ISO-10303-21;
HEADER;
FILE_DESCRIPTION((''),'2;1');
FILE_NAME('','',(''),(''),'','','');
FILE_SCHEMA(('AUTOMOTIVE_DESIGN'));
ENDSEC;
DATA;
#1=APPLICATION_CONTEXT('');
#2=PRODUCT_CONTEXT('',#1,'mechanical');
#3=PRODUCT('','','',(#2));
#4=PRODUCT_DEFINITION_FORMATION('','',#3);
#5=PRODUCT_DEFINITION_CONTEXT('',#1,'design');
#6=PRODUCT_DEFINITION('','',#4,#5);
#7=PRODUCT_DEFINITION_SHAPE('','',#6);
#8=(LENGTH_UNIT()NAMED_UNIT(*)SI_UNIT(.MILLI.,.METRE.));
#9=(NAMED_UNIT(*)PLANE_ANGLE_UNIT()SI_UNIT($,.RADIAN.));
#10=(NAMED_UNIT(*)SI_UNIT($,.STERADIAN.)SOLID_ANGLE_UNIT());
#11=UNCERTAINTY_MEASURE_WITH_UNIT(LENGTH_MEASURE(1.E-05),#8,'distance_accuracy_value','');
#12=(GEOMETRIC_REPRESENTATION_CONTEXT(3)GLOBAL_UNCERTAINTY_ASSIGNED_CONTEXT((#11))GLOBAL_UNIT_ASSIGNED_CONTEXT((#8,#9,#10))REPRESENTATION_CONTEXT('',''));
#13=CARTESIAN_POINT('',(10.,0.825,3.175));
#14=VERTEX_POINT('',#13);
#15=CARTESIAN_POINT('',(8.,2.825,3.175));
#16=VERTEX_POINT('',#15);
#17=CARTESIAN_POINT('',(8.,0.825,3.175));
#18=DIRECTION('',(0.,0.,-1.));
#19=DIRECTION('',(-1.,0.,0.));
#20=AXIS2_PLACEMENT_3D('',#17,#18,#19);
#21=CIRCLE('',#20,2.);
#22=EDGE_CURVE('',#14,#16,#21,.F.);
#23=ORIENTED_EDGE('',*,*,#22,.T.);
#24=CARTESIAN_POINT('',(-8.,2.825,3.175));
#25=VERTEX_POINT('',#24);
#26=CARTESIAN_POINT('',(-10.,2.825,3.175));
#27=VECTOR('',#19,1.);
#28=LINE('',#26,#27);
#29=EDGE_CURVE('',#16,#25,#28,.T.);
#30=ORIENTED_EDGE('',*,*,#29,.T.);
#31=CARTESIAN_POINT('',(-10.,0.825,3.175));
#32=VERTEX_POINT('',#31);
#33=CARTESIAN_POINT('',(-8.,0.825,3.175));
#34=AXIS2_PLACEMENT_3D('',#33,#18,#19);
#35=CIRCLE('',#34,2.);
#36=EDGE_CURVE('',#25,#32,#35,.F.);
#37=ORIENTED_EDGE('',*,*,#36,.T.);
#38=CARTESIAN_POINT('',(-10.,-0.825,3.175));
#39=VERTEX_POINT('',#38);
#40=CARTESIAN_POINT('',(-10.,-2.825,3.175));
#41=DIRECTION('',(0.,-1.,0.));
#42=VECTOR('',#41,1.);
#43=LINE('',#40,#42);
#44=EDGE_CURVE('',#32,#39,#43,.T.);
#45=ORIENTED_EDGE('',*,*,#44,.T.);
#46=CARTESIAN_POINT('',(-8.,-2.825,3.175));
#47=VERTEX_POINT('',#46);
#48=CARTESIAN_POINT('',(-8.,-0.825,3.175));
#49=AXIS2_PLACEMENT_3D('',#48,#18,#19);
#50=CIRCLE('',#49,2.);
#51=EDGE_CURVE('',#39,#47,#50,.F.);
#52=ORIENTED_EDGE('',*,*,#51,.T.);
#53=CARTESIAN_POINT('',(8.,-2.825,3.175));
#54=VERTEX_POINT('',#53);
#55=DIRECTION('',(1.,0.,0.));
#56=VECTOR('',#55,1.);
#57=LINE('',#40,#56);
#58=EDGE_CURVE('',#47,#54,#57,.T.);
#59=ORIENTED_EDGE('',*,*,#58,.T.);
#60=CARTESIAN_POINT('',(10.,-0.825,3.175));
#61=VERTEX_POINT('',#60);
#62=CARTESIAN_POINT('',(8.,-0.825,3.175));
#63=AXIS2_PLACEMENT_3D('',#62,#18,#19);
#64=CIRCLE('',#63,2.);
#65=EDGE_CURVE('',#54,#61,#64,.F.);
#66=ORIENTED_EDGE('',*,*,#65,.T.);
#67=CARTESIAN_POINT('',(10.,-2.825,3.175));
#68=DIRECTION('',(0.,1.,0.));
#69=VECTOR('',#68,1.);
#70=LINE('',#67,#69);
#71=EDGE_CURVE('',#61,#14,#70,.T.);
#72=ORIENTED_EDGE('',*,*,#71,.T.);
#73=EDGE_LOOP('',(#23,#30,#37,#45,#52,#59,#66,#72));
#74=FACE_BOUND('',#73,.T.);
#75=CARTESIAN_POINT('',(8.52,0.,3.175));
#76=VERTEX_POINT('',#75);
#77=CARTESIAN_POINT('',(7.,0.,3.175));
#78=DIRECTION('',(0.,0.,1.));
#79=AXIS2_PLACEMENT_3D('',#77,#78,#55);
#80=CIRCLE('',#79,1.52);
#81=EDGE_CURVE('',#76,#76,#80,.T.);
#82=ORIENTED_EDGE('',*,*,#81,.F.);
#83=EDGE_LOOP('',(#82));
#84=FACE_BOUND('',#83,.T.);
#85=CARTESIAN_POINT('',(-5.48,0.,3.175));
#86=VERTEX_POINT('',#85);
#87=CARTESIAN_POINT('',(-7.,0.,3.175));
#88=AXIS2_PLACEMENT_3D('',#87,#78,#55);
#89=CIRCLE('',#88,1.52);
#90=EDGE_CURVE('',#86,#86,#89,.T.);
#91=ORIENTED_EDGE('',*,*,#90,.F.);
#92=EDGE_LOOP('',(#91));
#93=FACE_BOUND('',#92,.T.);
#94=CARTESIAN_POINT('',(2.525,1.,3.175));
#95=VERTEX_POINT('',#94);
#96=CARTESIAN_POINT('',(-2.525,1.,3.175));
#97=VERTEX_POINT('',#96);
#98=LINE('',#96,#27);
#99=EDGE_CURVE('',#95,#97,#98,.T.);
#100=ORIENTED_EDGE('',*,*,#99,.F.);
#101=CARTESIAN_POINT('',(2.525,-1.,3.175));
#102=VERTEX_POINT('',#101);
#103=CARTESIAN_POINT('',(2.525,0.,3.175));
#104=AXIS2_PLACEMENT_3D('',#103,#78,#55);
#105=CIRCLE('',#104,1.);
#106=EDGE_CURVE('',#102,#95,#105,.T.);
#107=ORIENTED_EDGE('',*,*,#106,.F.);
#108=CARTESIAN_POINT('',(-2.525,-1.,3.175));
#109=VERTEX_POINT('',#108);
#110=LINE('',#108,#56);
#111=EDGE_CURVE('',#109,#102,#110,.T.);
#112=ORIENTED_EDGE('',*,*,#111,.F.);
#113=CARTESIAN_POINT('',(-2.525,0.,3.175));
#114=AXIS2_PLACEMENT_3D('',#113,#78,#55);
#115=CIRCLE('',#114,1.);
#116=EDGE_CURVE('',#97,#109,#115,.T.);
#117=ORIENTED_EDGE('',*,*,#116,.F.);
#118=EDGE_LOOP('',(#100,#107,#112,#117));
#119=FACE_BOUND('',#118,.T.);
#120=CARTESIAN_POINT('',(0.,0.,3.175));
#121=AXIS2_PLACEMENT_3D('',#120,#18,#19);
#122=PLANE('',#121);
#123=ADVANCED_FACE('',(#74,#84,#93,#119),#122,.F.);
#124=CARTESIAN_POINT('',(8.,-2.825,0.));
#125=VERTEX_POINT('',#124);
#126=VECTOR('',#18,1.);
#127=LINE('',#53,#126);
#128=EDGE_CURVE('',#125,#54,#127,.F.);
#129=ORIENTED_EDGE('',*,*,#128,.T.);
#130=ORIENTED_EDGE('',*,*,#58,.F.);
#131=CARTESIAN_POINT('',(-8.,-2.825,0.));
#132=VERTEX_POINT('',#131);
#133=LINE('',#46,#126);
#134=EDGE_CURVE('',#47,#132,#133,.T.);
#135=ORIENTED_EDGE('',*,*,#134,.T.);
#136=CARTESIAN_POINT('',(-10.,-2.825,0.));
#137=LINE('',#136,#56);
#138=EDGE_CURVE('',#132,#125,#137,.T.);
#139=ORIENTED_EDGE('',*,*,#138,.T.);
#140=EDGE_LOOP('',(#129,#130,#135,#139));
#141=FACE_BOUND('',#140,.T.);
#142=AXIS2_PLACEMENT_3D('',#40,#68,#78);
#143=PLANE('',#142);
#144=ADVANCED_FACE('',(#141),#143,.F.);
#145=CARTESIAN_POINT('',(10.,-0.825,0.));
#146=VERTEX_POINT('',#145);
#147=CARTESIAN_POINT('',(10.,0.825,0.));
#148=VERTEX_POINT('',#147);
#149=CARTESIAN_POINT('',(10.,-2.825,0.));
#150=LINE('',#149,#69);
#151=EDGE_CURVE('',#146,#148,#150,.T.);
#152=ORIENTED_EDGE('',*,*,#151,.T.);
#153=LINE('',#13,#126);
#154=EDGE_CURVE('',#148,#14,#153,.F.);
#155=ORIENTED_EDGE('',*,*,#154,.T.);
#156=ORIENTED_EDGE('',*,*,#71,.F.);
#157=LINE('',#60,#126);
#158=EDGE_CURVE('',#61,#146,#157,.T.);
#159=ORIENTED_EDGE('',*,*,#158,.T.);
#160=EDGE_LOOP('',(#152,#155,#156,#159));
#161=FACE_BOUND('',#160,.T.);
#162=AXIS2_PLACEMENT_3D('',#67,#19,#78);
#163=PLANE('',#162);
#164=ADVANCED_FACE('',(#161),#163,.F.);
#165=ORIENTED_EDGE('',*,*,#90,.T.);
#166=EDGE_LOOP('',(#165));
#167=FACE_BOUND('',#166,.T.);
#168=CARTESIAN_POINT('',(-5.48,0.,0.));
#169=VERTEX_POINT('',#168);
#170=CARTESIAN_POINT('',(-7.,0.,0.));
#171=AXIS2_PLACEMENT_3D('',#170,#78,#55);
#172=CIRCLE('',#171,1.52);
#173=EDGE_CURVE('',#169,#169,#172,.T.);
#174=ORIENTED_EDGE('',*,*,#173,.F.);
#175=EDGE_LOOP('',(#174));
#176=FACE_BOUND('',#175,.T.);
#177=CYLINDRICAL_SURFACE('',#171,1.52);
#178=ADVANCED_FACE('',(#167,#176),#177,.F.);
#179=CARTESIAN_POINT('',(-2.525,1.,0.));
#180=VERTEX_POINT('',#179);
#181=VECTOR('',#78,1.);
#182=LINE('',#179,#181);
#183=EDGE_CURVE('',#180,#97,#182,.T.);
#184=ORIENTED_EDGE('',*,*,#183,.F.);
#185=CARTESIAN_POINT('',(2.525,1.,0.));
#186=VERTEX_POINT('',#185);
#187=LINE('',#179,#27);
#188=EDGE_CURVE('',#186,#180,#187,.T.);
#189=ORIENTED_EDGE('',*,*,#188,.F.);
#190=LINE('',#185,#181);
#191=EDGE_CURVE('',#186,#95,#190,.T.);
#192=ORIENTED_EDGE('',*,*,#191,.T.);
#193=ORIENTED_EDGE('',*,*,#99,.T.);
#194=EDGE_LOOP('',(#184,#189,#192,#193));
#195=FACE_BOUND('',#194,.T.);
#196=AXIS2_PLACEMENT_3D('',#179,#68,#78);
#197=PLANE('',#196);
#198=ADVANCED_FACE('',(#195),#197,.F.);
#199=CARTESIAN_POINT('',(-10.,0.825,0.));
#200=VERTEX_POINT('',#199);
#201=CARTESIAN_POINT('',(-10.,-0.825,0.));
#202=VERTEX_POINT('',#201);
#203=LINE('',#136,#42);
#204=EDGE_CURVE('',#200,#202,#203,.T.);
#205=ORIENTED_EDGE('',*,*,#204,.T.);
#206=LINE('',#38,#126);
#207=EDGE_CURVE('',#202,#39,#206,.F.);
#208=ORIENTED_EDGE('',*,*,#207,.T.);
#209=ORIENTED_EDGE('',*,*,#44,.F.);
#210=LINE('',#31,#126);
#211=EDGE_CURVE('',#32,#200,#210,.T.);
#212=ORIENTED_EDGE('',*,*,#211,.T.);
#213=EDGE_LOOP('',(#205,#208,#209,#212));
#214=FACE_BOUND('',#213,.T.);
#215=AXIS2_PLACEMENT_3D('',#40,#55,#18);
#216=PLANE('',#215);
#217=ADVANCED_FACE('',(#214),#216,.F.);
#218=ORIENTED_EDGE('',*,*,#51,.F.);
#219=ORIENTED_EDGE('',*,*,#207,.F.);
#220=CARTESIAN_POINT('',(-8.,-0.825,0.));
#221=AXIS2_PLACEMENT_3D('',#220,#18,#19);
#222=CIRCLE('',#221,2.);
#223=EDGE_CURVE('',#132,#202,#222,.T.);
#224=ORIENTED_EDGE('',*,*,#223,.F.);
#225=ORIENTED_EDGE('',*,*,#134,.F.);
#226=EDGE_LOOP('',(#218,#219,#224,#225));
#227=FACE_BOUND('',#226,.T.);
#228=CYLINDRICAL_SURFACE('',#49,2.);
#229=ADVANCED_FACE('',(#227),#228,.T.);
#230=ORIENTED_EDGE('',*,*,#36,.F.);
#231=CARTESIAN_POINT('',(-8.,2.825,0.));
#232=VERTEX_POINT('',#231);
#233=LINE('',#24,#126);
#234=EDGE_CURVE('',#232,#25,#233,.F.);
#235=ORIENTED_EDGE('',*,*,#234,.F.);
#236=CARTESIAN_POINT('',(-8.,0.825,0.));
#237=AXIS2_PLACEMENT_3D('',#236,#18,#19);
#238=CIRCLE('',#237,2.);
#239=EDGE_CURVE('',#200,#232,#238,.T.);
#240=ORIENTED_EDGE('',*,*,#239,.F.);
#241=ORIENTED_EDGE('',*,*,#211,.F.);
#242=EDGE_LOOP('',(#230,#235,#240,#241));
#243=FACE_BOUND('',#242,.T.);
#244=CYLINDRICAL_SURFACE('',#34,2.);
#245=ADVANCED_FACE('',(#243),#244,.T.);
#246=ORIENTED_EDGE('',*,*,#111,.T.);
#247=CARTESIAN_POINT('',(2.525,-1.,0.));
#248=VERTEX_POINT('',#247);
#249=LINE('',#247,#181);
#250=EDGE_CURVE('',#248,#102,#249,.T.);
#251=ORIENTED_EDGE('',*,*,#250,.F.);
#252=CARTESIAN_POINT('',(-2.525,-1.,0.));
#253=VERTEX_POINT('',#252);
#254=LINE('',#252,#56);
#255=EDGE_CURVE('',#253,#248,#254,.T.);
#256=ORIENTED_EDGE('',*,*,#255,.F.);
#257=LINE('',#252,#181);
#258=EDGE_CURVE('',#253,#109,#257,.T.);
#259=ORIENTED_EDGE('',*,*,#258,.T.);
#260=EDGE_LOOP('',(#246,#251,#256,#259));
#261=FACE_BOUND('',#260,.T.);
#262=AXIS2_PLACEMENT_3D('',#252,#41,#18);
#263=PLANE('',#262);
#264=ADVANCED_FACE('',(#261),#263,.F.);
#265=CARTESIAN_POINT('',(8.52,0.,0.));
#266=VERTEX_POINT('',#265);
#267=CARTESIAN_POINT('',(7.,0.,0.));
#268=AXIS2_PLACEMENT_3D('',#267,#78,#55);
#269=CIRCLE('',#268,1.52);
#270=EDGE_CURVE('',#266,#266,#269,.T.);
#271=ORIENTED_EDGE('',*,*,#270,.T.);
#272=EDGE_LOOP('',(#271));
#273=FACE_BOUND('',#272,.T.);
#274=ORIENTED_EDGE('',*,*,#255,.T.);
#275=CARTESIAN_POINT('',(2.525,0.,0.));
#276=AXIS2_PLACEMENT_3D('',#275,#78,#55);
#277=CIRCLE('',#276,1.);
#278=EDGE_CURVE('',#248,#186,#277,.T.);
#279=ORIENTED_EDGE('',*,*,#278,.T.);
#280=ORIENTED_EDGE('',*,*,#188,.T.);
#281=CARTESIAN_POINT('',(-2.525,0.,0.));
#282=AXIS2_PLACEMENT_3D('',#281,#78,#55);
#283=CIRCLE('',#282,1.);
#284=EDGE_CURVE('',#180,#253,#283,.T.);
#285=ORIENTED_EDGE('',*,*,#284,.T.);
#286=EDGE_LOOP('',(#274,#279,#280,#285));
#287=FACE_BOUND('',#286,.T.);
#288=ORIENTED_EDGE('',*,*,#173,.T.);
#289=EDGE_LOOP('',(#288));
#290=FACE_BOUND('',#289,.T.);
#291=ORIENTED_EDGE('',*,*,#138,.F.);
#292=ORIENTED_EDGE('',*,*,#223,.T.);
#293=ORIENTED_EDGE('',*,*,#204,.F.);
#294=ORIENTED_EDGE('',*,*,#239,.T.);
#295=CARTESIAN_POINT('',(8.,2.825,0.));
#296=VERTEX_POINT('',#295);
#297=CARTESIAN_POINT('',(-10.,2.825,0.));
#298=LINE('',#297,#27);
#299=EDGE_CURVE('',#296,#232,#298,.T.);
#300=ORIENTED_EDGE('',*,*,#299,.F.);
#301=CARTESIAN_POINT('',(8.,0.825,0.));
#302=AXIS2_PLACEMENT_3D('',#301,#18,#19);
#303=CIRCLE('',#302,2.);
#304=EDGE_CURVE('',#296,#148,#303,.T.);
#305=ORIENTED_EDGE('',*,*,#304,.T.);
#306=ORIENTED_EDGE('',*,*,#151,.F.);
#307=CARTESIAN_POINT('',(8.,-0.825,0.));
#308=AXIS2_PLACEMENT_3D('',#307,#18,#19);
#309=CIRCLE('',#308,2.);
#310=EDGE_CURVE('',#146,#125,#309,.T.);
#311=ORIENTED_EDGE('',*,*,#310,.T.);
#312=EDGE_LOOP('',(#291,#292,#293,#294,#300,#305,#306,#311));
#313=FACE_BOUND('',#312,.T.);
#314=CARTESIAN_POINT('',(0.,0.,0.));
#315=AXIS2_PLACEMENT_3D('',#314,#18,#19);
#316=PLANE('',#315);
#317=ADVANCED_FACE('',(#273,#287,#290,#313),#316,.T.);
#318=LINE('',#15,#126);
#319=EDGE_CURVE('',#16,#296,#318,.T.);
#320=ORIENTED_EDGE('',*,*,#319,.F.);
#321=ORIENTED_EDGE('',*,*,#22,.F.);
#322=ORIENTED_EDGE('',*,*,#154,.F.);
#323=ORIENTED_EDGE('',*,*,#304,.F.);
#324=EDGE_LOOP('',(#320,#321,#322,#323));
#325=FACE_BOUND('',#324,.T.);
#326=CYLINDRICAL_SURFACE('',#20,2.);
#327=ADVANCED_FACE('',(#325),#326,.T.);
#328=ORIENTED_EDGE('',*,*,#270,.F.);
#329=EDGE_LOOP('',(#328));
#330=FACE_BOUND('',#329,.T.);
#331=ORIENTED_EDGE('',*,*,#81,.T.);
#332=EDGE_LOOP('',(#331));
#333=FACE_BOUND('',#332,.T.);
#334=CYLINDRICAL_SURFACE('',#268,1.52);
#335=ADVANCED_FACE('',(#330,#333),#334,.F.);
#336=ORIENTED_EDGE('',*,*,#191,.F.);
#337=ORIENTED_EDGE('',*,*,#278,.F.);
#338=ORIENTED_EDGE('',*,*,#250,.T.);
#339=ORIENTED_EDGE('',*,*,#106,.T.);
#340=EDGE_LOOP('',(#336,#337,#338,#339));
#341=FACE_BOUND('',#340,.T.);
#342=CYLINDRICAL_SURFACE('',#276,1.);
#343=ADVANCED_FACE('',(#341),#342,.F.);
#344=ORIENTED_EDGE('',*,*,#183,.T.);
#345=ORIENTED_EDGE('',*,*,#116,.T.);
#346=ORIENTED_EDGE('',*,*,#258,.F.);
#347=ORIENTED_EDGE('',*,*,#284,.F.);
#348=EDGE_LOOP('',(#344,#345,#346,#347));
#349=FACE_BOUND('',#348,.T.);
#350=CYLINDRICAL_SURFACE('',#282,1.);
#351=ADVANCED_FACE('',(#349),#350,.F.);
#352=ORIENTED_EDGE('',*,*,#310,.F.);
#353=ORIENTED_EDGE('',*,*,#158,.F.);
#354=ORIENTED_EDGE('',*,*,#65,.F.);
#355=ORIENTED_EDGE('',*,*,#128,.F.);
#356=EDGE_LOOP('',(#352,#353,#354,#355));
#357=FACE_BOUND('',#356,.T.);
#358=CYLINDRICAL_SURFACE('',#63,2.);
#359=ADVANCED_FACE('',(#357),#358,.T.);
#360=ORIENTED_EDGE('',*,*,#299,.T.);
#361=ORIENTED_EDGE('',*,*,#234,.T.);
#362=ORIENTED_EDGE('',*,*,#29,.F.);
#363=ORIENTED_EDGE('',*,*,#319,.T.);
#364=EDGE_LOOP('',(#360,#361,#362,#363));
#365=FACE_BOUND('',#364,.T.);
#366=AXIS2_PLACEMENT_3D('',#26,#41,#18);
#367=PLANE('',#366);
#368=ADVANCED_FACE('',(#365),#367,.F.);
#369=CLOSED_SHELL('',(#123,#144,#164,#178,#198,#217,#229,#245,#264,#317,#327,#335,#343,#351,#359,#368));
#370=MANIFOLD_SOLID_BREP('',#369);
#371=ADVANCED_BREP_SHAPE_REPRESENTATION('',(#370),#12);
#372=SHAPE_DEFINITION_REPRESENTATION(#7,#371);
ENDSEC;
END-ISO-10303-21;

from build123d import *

# Parameters (mm, degrees)
SKETCH1_W           = 20
SKETCH1_H           = 5.65
BOSS_EXTRUDE1_DEPTH = 3.175
FILLET1_R           = 2
SKETCH2_R           = 1.52
CUT_EXTRUDE1_DEPTH  = 3.175


with BuildPart() as part:
    # Sketch1 → Boss-Extrude1 (new body)
    with BuildSketch(Plane.XY):
        Rectangle(SKETCH1_W, SKETCH1_H)
    extrude(amount=BOSS_EXTRUDE1_DEPTH)

    # Fillet1
    fillet1_edges = [part.edges().sort_by_distance(p)[0] for p in [
        (10, -2.825, 1.5875),
        (-10, -2.825, 1.5875),
        (-10, 2.825, 1.5875),
        (10, 2.825, 1.5875),
    ]]
    fillet(fillet1_edges, radius=FILLET1_R)

    # Sketch2 → Cut-Extrude1 (cut)
    with BuildSketch(Plane.XY.offset(3.175)):
        with Locations((-7, 0)):
            Circle(SKETCH2_R)
        with Locations((7, 0)):
            Circle(SKETCH2_R)
        with BuildLine():
            Line((-2.525, 1), (2.525, 1))
            ThreePointArc((2.525, 1), (3.525, 0), (2.525, -1))
            Line((2.525, -1), (-2.525, -1))
            ThreePointArc((-2.525, -1), (-3.525, 0), (-2.525, 1))
        make_face()
    extrude(amount=-CUT_EXTRUDE1_DEPTH, mode=Mode.SUBTRACT)


solid = part.part
